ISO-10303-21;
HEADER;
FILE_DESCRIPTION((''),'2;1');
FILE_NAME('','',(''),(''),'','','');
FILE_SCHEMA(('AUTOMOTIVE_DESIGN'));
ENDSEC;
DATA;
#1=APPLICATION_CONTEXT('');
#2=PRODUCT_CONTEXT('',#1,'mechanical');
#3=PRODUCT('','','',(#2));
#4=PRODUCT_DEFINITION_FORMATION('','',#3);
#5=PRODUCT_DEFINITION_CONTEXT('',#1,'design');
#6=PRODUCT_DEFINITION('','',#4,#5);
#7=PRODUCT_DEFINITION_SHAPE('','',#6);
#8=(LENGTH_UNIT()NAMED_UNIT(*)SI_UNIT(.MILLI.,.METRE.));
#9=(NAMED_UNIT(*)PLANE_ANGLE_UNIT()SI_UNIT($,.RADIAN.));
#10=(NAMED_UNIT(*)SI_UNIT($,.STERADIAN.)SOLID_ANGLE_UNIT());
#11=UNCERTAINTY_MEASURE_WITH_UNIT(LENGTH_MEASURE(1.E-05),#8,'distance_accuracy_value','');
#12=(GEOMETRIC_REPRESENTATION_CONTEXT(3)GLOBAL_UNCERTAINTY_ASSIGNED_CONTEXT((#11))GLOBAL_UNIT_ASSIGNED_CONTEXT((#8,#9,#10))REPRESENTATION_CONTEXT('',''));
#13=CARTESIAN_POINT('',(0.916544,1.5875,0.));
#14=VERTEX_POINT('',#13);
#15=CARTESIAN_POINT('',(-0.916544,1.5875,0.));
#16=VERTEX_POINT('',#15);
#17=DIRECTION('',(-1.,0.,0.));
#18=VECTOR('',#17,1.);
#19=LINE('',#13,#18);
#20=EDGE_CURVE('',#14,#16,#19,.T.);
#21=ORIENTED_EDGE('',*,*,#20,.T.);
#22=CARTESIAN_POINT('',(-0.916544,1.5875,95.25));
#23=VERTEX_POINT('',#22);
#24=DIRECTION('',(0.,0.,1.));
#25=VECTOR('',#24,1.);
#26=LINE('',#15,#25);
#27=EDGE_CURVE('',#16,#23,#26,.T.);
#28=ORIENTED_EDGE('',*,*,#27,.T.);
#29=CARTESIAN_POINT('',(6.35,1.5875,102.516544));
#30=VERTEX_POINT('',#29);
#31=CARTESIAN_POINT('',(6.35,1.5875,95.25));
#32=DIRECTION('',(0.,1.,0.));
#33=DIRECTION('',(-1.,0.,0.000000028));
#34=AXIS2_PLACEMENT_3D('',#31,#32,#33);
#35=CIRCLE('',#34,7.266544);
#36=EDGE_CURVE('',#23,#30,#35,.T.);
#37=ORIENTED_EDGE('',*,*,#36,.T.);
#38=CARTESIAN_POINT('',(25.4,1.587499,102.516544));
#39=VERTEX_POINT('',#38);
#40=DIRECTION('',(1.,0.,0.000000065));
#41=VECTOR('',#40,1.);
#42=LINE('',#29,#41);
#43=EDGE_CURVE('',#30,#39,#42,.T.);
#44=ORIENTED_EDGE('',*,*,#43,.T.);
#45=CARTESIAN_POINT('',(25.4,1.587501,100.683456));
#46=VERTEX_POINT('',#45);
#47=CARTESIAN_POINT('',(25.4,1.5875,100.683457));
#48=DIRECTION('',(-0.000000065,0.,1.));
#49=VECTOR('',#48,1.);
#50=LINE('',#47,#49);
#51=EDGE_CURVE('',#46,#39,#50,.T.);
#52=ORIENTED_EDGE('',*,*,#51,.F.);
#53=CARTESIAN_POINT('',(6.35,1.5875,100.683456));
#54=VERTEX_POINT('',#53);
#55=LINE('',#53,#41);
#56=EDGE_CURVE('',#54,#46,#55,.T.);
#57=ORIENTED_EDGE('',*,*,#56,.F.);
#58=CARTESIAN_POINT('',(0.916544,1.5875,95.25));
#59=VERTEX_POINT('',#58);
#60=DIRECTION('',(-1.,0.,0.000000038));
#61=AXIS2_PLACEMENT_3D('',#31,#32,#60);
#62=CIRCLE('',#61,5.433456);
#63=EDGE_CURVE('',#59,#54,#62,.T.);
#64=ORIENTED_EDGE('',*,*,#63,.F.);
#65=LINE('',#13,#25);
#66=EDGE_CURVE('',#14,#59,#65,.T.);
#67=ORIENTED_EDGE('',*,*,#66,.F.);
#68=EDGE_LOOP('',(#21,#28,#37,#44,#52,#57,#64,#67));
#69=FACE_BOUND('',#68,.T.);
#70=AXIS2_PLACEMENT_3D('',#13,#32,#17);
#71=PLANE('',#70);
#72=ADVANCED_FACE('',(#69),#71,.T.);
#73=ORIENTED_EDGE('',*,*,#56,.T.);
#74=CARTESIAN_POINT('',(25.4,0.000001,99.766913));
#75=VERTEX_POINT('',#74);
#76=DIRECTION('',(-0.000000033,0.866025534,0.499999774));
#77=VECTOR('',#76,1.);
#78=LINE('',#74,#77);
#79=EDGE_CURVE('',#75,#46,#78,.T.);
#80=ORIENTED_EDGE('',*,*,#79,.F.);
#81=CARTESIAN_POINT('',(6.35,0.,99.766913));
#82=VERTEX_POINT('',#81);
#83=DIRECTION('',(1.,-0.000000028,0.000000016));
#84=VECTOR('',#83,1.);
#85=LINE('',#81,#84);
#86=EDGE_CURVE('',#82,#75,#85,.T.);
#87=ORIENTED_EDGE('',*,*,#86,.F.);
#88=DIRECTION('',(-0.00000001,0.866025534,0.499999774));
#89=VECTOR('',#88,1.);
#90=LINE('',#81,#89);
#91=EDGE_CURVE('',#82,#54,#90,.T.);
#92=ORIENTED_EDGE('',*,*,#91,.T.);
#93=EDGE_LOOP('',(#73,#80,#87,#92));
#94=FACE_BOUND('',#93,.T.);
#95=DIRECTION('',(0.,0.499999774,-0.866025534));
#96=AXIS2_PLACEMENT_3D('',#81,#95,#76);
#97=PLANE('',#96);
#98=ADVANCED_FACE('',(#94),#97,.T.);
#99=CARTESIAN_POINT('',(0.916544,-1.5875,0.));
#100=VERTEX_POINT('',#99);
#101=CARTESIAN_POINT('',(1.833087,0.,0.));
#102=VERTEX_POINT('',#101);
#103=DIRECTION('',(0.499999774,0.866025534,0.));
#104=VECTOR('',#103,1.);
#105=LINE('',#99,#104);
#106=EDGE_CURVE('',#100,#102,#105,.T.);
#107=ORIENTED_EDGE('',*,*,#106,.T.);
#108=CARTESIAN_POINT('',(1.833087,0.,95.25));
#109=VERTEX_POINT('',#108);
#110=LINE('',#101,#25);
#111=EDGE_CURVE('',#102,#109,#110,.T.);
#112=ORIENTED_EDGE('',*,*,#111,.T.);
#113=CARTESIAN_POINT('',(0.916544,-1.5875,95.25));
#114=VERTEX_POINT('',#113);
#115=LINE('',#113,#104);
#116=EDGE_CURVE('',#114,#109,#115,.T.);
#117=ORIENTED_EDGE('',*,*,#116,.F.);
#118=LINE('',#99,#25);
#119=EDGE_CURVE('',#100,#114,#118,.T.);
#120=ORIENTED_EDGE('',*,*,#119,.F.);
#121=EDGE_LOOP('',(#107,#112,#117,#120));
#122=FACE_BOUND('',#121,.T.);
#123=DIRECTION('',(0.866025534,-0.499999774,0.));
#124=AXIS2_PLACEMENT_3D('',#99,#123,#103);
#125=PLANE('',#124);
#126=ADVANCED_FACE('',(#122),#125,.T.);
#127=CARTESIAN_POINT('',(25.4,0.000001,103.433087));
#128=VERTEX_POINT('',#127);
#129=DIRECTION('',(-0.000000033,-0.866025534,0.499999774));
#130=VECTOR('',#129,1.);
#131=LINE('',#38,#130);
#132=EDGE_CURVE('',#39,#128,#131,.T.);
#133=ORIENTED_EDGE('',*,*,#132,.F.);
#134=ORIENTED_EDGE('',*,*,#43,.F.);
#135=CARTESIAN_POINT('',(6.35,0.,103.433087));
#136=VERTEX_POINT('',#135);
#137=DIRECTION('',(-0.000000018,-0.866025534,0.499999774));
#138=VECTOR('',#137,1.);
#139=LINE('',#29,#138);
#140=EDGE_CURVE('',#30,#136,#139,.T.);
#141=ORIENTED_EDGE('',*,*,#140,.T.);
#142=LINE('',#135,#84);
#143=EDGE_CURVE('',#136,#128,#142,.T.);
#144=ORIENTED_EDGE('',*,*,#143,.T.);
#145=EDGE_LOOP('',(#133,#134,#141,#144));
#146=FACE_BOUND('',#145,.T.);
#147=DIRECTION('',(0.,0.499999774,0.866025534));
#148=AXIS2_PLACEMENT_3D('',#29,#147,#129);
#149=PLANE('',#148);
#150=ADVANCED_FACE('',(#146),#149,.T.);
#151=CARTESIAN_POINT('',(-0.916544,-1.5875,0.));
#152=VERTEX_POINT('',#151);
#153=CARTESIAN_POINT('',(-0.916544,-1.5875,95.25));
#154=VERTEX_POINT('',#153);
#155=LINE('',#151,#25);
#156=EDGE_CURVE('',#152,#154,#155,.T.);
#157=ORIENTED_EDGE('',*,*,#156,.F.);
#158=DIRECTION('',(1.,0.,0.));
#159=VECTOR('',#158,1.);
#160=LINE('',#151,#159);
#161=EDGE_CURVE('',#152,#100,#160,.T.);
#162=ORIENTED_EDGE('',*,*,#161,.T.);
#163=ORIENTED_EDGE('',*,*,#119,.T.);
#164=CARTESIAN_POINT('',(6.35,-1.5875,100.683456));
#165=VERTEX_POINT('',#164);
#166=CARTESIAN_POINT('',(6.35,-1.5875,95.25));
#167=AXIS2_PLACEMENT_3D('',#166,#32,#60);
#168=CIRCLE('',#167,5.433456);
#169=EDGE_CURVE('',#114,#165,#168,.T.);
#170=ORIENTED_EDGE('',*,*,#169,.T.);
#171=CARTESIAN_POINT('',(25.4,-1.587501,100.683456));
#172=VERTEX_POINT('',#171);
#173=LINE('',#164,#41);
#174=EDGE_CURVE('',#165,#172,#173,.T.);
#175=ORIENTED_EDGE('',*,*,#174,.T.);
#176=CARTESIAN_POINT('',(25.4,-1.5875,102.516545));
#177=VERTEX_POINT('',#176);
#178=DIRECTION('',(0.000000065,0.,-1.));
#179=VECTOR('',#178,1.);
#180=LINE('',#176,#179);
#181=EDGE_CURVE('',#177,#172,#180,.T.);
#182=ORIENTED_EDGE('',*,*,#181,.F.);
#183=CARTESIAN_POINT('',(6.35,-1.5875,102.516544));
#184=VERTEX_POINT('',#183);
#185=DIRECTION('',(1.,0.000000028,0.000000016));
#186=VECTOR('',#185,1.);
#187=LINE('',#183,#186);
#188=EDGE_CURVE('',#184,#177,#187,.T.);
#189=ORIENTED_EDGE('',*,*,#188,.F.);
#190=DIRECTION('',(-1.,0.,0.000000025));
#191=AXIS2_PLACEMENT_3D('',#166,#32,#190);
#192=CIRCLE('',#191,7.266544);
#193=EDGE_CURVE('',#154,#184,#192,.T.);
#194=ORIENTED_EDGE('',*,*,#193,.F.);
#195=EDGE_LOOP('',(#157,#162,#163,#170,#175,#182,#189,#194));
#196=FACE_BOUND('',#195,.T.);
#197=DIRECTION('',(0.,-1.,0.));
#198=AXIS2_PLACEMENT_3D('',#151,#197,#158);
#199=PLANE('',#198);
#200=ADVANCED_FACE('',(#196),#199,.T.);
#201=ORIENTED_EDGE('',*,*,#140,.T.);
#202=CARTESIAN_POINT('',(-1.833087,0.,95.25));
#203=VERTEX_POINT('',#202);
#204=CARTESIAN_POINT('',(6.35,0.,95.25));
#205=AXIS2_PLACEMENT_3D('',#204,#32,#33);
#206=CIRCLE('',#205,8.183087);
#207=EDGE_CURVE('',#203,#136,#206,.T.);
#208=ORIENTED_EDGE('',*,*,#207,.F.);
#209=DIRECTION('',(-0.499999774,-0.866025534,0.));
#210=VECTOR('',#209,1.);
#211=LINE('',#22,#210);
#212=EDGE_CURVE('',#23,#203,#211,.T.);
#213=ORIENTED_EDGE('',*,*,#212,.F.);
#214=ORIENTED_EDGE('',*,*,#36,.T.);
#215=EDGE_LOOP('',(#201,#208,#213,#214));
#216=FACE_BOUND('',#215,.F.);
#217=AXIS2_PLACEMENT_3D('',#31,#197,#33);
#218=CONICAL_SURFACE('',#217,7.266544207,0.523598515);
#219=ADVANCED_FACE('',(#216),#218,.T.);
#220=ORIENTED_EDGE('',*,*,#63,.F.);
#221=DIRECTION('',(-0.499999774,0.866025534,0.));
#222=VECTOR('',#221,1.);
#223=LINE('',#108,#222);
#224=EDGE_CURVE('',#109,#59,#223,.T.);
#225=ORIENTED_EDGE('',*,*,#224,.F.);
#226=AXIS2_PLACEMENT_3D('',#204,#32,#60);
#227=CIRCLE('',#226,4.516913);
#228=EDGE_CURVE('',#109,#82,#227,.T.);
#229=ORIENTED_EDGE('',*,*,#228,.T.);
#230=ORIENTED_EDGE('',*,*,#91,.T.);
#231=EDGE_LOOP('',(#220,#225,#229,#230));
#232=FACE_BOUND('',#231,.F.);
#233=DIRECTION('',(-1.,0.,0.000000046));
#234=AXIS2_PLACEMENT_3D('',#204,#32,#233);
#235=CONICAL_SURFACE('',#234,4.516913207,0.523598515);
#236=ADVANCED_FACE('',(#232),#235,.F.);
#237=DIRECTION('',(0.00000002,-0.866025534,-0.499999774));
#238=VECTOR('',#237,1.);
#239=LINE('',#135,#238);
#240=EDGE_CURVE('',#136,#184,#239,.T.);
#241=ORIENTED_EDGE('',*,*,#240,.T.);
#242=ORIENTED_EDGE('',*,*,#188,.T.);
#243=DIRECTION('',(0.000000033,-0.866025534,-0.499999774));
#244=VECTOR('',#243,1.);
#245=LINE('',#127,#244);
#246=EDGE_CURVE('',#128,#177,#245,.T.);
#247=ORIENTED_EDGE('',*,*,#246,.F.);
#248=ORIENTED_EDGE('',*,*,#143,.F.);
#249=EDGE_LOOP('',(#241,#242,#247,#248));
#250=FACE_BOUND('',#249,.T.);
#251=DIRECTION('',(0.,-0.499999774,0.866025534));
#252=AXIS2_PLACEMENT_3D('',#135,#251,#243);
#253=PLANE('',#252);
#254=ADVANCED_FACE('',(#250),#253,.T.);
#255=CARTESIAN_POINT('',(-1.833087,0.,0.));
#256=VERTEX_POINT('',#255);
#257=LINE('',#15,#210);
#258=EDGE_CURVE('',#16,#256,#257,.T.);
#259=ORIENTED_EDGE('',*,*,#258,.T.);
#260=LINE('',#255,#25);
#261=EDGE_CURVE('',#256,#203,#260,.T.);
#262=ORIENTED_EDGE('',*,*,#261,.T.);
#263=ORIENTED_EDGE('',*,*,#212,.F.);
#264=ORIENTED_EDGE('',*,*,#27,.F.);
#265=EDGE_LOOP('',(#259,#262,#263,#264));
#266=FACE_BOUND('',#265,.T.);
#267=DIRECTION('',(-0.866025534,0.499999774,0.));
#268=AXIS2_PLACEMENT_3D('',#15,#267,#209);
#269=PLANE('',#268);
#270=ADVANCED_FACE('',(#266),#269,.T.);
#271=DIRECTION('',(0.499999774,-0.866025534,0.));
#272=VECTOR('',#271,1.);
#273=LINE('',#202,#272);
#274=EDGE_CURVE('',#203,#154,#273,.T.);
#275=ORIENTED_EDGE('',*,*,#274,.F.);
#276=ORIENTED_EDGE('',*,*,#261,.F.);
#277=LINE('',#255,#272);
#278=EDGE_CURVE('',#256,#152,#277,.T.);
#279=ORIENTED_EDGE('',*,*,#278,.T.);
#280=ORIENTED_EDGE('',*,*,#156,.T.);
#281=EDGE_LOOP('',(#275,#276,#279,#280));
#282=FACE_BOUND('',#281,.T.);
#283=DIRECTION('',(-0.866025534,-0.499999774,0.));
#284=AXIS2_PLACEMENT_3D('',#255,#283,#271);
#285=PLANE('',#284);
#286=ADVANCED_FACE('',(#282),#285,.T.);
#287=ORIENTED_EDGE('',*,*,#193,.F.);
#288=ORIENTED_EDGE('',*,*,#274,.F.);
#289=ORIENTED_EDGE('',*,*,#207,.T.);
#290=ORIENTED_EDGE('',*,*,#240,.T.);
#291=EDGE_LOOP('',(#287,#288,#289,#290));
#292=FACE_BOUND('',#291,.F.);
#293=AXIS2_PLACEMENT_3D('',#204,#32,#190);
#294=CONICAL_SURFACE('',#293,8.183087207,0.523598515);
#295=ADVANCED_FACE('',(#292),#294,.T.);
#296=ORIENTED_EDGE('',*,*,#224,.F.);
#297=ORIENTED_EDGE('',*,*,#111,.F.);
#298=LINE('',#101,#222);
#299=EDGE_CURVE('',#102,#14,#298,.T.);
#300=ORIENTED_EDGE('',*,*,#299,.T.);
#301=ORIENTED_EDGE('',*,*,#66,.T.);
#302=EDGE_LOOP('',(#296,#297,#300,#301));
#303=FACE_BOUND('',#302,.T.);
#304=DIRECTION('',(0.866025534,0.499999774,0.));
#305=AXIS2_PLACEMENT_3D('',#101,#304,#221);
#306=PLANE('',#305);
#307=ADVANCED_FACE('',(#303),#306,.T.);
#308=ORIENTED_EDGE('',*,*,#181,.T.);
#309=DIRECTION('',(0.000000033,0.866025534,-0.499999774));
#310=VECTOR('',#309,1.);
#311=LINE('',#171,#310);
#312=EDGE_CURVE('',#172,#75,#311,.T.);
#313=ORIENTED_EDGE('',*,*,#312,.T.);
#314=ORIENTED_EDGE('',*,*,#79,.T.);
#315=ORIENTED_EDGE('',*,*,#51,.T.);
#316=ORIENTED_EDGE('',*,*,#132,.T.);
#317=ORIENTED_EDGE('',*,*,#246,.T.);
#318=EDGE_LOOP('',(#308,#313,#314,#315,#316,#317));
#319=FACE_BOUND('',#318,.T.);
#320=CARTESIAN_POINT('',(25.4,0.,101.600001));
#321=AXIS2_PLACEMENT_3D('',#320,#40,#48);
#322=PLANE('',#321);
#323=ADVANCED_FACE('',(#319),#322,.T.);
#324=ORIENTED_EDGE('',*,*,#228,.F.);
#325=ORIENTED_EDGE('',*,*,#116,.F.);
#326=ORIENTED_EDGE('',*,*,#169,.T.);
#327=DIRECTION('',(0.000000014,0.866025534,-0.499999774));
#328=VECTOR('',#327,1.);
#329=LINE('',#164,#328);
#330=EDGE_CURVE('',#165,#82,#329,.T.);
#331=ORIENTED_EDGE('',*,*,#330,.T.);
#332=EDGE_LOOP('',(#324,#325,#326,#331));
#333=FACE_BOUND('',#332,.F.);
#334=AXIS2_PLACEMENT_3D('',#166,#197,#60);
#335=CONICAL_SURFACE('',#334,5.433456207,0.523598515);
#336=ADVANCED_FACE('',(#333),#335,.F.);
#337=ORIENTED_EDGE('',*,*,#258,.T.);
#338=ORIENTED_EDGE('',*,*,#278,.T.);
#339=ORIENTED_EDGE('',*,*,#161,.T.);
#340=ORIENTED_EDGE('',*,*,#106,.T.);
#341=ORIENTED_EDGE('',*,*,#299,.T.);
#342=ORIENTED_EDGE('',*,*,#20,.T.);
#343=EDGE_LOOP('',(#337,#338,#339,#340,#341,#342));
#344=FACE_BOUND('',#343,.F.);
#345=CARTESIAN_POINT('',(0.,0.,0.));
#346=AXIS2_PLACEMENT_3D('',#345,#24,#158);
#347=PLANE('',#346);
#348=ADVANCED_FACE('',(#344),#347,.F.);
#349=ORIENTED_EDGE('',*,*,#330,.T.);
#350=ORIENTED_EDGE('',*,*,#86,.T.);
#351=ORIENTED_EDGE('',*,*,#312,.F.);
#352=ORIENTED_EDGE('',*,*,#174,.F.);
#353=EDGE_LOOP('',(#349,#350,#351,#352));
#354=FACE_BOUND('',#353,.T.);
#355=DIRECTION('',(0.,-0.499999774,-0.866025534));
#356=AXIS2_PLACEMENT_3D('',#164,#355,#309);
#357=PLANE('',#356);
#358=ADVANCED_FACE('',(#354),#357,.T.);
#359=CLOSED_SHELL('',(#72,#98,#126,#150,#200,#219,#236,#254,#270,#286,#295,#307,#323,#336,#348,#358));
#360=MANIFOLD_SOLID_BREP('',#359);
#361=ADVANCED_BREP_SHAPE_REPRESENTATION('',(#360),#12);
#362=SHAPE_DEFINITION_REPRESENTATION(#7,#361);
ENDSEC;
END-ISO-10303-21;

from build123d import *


with BuildPart() as f2:
    # F2: sweep along a path in F1
    with BuildLine(Plane.XZ) as f2_path:
        Line((0, 0), (0, 95.25))
        ThreePointArc((0, 95.25), (1.859872, 99.740128), (6.35, 101.6))
        Line((6.35, 101.6), (25.4, 101.6))
    # F0 (on Top) → F2 (sweep)
    with BuildSketch(Plane.XY):
        Polygon((0.916544, 1.5875), (-0.916544, 1.5875), (-1.833087, 0), (-0.916544, -1.5875), (0.916544, -1.5875), (1.833087, 0), align=None)
    sweep(path=f2_path.line)


solid = f2.part
